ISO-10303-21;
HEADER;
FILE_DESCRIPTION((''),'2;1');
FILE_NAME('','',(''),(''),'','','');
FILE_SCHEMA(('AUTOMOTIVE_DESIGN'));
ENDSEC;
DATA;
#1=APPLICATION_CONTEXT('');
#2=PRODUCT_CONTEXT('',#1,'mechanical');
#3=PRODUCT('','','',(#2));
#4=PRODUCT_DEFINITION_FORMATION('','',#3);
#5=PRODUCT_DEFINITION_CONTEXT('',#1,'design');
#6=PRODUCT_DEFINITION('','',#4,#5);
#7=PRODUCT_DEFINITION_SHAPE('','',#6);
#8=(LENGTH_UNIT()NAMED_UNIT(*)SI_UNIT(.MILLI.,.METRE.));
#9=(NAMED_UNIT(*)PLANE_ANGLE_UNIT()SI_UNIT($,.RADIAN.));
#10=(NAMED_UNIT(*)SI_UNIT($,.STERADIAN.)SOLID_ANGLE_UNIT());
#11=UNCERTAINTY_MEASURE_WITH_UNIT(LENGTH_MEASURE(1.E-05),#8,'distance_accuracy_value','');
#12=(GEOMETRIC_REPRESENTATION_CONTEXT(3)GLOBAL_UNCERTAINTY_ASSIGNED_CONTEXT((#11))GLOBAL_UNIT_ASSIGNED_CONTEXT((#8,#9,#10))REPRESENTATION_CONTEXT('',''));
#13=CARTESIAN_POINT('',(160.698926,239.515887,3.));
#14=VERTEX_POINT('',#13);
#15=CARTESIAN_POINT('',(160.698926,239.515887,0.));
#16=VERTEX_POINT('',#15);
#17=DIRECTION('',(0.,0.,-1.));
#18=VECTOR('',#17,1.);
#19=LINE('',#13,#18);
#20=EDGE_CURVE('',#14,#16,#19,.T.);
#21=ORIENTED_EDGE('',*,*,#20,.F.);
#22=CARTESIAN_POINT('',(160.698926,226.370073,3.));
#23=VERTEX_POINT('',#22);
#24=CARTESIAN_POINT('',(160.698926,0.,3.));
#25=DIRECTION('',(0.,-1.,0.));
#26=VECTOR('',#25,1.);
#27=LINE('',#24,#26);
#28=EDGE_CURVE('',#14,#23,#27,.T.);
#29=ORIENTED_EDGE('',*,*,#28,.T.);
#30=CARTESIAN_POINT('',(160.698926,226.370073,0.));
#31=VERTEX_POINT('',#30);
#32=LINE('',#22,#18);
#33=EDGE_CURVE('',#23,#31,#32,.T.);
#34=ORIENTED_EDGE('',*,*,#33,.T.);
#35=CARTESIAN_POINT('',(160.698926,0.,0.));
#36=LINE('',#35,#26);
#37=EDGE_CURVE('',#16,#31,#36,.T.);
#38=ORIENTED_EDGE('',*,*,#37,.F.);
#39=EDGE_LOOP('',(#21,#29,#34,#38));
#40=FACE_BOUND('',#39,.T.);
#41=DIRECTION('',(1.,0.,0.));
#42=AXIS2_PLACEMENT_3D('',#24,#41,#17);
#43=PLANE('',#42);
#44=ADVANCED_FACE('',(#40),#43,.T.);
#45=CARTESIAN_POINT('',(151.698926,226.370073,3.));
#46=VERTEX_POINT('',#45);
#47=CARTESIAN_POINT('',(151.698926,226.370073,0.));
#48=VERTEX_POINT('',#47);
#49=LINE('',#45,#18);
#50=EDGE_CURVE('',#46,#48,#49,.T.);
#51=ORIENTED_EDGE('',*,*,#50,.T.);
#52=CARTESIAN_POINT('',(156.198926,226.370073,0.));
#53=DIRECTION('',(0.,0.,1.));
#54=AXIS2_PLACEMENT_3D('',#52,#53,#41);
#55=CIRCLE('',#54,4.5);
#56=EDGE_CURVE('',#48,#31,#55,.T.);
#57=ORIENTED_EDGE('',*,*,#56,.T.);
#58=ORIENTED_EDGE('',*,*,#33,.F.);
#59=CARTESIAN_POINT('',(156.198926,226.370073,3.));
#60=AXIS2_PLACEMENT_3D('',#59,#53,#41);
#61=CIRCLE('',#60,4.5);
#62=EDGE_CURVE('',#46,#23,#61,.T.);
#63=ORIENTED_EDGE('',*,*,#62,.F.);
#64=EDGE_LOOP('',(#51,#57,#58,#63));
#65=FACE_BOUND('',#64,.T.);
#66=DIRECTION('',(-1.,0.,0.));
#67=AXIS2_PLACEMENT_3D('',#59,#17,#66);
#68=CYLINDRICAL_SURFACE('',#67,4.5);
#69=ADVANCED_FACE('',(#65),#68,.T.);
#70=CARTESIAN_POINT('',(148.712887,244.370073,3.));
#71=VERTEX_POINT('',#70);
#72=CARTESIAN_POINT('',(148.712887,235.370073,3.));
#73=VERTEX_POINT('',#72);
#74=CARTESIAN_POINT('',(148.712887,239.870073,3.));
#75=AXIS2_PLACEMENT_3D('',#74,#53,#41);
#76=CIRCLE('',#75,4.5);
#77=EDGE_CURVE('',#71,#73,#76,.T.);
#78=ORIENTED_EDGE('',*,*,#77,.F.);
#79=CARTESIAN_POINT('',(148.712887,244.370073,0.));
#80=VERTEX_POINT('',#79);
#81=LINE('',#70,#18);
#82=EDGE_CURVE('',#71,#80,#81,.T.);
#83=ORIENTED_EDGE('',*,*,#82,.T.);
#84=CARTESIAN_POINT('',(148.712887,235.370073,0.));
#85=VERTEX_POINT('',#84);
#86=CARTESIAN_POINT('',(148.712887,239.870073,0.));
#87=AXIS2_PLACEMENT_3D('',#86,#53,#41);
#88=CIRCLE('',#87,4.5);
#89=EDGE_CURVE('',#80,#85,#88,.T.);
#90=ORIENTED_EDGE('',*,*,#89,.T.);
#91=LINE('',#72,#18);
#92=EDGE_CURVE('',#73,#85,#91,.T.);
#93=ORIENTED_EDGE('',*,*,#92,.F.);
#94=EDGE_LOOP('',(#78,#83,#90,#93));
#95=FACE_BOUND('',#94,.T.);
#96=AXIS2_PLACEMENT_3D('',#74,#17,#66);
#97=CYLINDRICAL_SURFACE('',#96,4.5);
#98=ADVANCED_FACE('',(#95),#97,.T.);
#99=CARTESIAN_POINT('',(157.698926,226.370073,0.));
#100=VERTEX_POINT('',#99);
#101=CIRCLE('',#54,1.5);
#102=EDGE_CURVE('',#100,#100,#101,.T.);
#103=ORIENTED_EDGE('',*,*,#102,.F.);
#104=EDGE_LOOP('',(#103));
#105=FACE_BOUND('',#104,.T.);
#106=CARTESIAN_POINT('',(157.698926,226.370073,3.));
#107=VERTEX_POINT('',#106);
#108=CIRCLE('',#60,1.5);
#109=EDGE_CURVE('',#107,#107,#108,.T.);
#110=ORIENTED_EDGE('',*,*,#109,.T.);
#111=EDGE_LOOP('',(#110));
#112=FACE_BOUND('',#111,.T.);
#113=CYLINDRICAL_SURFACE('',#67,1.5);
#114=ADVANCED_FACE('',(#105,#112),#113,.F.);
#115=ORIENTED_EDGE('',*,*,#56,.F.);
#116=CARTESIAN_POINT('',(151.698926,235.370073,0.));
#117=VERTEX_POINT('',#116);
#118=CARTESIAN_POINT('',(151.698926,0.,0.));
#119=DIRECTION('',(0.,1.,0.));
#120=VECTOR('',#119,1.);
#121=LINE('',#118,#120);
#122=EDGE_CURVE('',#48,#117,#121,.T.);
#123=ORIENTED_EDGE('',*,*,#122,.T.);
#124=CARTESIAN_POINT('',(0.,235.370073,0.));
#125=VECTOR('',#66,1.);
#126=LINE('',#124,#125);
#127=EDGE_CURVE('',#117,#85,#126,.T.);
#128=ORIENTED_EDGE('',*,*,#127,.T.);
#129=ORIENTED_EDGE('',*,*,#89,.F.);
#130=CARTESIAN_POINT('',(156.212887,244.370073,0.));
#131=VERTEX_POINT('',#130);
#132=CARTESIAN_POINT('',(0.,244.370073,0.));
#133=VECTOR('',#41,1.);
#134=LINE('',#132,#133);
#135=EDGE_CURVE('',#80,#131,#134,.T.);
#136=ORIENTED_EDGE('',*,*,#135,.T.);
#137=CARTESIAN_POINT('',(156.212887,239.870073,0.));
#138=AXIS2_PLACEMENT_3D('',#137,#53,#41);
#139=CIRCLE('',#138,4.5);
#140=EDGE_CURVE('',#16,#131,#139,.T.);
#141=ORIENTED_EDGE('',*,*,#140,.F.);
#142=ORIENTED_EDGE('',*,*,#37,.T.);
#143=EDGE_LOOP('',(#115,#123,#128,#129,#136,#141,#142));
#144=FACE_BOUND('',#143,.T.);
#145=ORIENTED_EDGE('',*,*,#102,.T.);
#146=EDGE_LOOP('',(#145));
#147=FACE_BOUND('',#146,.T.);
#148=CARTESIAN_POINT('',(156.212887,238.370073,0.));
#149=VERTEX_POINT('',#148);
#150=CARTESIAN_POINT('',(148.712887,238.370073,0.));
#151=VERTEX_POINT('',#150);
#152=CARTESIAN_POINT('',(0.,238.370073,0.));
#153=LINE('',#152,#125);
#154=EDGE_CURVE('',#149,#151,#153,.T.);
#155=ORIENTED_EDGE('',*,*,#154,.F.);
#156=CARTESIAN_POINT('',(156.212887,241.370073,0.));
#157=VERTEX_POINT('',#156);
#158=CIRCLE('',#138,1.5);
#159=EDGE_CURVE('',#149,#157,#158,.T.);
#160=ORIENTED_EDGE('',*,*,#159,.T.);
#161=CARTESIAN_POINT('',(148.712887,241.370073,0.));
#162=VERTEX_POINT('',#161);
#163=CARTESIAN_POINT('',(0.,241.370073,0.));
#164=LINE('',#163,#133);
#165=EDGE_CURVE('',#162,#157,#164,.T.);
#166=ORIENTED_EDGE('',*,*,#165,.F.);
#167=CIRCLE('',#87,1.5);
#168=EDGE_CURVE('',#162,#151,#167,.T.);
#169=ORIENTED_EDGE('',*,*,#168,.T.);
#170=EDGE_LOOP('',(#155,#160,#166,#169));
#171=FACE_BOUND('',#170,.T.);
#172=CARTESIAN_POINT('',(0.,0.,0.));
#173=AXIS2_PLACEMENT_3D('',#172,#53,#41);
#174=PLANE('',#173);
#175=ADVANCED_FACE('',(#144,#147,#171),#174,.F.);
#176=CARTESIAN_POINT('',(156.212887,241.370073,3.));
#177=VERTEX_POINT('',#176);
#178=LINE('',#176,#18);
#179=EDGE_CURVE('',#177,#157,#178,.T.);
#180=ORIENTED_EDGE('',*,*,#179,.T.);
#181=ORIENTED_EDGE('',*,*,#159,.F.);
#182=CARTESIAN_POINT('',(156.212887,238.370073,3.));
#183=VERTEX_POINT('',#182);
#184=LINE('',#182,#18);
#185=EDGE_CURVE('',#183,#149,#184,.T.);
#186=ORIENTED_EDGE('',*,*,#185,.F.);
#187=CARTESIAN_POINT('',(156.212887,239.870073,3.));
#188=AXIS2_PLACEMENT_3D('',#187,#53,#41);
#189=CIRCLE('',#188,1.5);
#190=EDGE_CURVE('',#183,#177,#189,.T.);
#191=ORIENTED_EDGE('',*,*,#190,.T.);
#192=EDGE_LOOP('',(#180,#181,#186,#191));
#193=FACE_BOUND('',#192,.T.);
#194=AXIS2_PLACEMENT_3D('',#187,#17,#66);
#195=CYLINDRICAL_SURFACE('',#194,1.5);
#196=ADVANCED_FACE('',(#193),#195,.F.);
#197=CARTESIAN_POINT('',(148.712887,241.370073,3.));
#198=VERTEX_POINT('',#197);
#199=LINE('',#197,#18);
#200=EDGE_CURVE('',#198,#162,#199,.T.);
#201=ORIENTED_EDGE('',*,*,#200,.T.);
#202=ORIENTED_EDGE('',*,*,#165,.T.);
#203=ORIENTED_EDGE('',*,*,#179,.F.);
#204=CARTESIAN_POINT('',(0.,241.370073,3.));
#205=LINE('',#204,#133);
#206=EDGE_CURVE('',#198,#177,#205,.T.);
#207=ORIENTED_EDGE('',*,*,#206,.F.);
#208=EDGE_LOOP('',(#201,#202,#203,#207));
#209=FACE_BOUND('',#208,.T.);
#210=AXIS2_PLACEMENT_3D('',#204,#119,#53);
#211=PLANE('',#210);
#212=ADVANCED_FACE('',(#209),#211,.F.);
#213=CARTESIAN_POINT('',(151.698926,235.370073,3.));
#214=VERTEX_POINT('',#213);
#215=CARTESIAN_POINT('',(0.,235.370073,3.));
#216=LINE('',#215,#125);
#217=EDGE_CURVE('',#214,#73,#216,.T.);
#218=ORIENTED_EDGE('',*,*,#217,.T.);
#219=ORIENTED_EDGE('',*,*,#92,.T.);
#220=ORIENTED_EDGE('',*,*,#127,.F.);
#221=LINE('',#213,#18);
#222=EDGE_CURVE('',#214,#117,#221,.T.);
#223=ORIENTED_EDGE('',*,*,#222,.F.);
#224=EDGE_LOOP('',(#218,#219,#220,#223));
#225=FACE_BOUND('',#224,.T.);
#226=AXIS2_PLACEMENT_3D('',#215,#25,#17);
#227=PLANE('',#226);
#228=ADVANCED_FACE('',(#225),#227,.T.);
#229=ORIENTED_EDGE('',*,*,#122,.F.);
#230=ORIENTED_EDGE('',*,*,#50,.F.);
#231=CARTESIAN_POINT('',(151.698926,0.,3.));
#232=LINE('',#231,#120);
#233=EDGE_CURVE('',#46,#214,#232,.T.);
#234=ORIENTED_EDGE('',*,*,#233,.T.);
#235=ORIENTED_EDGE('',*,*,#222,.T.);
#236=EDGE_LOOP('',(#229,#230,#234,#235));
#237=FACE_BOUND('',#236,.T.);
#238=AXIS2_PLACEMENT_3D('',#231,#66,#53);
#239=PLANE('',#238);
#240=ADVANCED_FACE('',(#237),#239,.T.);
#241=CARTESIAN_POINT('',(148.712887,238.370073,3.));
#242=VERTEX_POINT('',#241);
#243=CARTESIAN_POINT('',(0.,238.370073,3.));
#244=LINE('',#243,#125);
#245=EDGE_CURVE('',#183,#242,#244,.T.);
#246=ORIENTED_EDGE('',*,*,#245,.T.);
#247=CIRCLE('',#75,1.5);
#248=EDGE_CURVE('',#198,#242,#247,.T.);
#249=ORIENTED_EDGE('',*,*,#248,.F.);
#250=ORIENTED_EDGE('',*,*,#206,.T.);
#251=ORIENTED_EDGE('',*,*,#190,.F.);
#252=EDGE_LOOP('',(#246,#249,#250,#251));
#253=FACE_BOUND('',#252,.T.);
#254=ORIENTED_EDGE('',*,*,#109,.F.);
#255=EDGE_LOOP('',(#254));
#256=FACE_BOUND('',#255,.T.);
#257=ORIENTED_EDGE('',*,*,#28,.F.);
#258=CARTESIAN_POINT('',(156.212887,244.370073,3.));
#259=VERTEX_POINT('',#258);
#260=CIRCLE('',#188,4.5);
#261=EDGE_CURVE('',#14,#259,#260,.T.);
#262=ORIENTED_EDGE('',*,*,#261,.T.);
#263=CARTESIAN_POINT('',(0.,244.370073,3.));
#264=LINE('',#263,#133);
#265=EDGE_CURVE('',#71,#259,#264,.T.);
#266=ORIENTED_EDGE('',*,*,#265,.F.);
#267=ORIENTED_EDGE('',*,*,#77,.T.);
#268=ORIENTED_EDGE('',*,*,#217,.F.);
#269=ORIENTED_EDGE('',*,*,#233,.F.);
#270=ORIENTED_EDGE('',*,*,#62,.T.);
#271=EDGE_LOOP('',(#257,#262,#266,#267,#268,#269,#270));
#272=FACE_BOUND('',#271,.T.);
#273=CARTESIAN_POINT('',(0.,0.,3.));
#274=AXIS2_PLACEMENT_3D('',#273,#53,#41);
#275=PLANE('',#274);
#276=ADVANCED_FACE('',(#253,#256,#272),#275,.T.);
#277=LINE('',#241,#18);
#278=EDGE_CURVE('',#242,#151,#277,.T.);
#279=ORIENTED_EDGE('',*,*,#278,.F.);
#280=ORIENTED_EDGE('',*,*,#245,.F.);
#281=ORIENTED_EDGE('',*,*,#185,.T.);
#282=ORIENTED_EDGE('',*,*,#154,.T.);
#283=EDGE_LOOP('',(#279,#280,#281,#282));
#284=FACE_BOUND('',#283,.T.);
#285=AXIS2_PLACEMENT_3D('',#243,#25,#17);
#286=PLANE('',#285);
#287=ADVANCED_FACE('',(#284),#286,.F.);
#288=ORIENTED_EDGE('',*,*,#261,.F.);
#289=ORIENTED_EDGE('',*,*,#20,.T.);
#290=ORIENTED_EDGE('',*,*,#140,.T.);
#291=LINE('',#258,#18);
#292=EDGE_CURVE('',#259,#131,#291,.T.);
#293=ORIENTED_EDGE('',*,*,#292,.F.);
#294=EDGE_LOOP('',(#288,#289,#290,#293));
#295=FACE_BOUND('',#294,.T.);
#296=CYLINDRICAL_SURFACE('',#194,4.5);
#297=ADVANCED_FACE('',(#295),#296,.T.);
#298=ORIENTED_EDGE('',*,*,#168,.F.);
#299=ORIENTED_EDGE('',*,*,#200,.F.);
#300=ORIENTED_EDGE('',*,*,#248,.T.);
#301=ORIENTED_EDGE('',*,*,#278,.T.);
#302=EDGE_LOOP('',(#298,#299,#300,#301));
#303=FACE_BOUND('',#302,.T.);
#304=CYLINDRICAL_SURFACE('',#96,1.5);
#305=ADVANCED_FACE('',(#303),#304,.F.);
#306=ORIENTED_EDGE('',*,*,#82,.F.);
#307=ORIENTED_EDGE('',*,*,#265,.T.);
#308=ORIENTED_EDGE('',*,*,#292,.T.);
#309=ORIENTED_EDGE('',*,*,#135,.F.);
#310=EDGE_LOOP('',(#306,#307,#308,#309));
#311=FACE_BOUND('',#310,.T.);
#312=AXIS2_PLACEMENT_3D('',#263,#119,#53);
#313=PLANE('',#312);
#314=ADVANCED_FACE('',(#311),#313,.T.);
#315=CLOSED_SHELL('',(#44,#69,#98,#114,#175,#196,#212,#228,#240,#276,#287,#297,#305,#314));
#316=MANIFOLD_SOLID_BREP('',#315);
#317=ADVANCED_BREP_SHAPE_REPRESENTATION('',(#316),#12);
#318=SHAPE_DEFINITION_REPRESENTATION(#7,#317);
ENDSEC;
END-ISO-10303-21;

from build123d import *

# Parameters (mm, degrees)
MODEL_R                 = 1.5
SALIENTE_EXTRUIR1_DEPTH = 3


with BuildPart() as part:
    # Model → Saliente-Extruir1 (new body)
    with BuildSketch(Plane.XY):
        with BuildLine():
            Line((160.698926217, 226.370073483), (160.698926217, 239.515886932))
            ThreePointArc((160.698926217, 239.515886932), (159.517719337, 242.924264089), (156.212886551, 244.370073483))
            Line((156.212886551, 244.370073483), (148.712886551, 244.370073483))
            ThreePointArc((148.712886551, 244.370073483), (144.212886551, 239.870073483), (148.712886551, 235.370073483))
            Line((148.712886551, 235.370073483), (151.698926217, 235.370073483))
            Line((151.698926217, 235.370073483), (151.698926217, 226.370073483))
            ThreePointArc((151.698926217, 226.370073483), (156.198926217, 221.870073483), (160.698926217, 226.370073483))
        make_face()
        with Locations((156.198926217, 226.370073483)):
            Circle(MODEL_R, mode=Mode.SUBTRACT)
        with BuildLine():
            ThreePointArc((156.212886551, 241.370073483), (157.712886551, 239.870073483), (156.212886551, 238.370073483))
            Line((156.212886551, 238.370073483), (148.712886551, 238.370073483))
            ThreePointArc((148.712886551, 238.370073483), (147.212886551, 239.870073483), (148.712886551, 241.370073483))
            Line((148.712886551, 241.370073483), (156.212886551, 241.370073483))
        make_face(mode=Mode.SUBTRACT)
    extrude(amount=SALIENTE_EXTRUIR1_DEPTH)


solid = part.part
